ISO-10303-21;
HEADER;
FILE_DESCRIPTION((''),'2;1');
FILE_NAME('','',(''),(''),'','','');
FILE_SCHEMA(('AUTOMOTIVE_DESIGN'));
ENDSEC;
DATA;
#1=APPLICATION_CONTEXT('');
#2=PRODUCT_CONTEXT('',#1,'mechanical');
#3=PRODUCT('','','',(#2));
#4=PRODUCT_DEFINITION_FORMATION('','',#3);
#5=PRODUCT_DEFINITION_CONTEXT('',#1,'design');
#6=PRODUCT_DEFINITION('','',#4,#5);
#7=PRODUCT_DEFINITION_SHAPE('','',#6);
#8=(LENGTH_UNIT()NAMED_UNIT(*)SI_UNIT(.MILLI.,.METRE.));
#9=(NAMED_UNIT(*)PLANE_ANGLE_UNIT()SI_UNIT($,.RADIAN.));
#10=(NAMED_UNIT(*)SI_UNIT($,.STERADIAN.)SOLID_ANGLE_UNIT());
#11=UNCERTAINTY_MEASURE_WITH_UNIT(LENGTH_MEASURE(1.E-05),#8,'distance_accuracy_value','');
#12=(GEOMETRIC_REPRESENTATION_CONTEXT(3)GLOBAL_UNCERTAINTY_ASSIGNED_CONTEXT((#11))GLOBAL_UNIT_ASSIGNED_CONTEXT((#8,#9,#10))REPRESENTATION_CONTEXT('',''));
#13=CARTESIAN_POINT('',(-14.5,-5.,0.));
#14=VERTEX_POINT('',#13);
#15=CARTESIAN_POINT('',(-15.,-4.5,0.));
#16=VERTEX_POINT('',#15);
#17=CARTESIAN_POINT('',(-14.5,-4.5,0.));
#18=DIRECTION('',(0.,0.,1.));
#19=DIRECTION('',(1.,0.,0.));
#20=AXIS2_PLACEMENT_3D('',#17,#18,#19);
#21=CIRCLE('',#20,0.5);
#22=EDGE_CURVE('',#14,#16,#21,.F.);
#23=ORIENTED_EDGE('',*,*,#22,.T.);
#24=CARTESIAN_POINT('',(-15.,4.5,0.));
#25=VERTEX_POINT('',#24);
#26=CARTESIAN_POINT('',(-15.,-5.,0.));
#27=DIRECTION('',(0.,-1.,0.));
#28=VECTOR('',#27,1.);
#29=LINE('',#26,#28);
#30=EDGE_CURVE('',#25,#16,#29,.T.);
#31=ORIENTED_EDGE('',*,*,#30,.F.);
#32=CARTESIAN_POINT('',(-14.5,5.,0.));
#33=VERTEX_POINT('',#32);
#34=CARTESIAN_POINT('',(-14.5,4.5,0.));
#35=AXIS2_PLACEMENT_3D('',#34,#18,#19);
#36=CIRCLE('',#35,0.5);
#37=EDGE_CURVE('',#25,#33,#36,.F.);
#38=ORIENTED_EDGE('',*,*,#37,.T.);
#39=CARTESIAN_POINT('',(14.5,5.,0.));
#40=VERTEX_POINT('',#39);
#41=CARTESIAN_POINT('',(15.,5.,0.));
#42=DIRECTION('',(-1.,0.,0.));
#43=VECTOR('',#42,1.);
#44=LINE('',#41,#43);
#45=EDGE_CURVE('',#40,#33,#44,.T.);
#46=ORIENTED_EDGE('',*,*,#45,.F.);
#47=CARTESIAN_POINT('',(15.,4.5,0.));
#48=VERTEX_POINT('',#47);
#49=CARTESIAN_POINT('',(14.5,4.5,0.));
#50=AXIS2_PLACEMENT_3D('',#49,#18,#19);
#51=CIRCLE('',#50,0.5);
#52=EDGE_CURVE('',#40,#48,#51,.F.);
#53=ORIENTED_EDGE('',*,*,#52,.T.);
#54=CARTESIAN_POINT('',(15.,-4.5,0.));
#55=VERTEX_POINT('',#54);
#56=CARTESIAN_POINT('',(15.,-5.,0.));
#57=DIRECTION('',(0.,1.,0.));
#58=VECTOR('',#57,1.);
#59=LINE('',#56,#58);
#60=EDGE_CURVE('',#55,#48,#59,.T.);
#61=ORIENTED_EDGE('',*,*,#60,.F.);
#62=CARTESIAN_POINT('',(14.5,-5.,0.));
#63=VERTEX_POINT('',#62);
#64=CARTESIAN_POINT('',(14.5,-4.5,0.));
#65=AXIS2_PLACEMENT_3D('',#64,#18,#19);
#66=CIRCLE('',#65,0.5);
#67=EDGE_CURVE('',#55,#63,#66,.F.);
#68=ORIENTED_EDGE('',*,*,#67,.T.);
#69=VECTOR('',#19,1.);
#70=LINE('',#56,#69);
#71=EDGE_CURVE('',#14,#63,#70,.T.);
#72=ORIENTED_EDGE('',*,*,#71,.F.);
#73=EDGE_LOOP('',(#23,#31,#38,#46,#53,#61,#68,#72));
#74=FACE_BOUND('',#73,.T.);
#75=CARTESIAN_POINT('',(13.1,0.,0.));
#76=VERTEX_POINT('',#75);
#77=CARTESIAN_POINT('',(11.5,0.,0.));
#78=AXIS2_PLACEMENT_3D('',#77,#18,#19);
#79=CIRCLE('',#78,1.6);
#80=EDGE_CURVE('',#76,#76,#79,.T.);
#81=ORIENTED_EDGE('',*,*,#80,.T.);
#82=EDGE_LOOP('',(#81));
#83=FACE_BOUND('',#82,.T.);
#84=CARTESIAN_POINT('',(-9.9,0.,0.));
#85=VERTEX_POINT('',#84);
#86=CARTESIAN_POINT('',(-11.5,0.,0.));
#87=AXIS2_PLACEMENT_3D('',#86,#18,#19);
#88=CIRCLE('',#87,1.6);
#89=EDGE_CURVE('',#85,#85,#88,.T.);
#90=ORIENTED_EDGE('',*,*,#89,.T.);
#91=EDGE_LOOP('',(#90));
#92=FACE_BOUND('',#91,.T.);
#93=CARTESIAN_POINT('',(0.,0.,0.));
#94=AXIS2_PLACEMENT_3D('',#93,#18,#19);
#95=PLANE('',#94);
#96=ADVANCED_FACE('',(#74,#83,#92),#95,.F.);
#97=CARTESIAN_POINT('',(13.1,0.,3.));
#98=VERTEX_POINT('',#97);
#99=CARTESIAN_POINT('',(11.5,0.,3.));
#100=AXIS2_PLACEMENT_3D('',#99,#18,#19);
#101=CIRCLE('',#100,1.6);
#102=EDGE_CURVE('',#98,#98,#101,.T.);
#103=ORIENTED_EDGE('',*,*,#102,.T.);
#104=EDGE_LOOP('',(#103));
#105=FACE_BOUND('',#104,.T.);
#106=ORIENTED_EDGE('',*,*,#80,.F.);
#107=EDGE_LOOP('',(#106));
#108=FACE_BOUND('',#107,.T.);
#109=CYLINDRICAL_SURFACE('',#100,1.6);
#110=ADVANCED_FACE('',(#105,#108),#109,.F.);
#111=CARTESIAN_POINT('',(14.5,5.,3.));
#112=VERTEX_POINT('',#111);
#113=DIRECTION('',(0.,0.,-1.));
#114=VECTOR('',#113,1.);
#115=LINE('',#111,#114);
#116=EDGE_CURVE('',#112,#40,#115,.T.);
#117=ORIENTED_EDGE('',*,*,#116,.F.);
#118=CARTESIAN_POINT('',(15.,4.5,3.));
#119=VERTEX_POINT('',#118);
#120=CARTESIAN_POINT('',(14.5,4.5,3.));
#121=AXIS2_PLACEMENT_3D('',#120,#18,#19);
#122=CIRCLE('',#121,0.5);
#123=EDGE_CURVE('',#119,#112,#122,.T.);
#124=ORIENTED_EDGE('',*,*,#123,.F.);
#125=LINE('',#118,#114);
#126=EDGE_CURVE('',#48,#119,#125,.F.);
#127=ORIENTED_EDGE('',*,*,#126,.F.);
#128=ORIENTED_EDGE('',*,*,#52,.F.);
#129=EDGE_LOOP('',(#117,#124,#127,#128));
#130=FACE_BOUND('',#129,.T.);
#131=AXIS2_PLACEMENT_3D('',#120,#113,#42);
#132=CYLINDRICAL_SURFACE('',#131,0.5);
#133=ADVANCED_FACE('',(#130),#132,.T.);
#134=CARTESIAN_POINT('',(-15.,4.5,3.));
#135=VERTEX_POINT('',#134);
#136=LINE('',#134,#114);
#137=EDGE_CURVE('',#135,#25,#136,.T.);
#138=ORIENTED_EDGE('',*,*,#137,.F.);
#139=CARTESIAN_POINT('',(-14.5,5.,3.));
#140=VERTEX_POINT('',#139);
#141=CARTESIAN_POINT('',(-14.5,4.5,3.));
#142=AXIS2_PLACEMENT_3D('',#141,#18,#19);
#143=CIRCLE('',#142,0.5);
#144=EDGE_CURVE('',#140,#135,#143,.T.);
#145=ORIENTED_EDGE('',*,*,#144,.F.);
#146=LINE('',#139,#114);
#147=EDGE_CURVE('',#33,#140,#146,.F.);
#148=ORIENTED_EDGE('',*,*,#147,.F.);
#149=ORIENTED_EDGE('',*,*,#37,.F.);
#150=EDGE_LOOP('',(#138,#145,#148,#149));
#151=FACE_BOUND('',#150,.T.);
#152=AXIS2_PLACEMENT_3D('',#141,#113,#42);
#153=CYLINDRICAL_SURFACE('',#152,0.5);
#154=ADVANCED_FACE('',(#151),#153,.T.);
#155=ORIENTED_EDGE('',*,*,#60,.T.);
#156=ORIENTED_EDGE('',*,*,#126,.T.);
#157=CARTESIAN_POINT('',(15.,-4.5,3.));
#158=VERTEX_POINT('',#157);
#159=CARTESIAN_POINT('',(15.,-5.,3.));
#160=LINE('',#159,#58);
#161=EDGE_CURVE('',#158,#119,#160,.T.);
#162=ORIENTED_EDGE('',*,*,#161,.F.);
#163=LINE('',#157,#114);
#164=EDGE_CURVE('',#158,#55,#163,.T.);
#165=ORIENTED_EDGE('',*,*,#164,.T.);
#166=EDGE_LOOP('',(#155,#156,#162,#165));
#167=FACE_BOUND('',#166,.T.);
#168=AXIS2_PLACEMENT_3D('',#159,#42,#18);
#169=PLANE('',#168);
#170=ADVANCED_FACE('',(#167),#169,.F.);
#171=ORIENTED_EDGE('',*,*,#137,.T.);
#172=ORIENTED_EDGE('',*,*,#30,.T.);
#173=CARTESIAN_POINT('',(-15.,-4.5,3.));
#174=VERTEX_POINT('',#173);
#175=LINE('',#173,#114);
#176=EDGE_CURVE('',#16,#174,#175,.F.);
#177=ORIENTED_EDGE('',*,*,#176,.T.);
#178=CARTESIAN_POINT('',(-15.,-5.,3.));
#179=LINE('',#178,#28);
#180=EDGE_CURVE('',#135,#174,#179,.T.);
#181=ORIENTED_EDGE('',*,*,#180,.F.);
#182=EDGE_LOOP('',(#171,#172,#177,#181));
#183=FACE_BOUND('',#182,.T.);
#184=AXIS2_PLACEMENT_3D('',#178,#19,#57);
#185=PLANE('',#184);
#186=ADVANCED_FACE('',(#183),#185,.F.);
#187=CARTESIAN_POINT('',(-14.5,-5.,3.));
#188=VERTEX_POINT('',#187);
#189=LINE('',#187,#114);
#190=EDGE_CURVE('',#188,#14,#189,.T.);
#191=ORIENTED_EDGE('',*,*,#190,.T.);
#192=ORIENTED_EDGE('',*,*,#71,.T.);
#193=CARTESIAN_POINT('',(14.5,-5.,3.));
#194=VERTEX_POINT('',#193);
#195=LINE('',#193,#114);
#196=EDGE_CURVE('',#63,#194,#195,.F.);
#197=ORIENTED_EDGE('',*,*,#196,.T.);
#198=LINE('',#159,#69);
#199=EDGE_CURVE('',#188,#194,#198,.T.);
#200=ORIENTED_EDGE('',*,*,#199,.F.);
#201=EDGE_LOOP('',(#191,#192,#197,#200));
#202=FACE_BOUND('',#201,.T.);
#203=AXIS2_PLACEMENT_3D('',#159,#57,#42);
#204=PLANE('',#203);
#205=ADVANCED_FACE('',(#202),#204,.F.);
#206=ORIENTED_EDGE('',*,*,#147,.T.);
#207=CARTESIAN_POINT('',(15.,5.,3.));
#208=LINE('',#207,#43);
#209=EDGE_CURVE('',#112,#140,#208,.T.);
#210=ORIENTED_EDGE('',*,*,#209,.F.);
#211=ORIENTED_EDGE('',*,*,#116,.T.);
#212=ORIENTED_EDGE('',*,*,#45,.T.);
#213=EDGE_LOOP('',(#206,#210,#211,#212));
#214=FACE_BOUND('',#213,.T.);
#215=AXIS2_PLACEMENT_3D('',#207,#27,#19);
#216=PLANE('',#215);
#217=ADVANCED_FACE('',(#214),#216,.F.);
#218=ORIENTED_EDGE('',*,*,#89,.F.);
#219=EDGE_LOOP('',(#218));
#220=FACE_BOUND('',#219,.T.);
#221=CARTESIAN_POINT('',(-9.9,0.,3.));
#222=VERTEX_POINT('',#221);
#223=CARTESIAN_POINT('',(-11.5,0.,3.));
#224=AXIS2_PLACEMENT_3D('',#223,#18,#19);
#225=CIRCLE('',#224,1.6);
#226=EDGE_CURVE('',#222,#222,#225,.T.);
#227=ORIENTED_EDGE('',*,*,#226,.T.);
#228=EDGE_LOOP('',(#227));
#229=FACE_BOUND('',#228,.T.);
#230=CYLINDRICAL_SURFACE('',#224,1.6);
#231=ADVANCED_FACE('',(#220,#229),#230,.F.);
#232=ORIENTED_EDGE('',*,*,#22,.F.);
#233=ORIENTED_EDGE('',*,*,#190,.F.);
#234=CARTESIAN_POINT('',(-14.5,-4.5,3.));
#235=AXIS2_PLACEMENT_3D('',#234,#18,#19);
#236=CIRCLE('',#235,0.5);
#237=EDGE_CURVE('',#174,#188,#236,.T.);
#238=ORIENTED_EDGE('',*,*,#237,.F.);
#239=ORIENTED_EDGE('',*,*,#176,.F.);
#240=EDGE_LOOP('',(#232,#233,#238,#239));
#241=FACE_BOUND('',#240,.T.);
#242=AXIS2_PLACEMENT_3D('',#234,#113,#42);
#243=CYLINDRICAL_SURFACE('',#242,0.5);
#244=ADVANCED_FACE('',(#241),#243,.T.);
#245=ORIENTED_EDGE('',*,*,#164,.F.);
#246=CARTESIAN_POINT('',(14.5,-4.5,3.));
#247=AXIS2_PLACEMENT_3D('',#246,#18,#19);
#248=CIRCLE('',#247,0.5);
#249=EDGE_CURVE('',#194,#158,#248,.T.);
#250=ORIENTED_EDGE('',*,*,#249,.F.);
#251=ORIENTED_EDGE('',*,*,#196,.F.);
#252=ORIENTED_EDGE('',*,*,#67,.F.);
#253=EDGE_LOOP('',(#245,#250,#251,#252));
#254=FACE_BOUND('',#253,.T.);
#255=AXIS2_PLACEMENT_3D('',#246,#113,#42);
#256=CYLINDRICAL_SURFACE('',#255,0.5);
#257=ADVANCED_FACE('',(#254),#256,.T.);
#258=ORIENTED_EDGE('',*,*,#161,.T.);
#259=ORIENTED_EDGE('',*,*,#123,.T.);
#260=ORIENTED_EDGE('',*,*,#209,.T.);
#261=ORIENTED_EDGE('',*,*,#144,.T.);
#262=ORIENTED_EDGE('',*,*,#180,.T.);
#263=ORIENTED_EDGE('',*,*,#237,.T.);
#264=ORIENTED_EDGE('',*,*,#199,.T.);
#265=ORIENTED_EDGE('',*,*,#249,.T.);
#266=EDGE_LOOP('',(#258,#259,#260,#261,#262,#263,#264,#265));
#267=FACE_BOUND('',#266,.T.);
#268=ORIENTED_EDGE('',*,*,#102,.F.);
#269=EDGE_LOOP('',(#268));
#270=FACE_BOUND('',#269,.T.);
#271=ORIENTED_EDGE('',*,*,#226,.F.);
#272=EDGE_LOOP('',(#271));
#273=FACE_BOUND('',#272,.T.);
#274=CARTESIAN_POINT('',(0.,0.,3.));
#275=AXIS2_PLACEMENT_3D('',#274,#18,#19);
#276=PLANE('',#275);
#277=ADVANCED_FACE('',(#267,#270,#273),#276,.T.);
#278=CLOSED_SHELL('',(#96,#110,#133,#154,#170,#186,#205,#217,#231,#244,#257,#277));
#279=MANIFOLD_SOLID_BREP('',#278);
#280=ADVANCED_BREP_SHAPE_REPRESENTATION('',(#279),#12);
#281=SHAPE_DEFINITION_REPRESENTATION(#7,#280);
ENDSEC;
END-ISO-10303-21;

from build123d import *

# Parameters (mm, degrees)
SKETCH1_W            = 30
SKETCH1_H            = 10
BOSS_EXTRUDE1_DEPTH  = 3
M3_CLEARANCE_HOLE1_D = 3.2
FILLET1_R            = 0.5


with BuildPart() as part:
    # Sketch1 → Boss-Extrude1 (new body)
    with BuildSketch(Plane.XY):
        Rectangle(SKETCH1_W, SKETCH1_H)
    extrude(amount=BOSS_EXTRUDE1_DEPTH)

    # M3 Clearance Hole1 (through all)
    with Locations(Plane.XY.offset(3)):
        with Locations((-11.5, 0), (11.5, 0)):
            Hole(M3_CLEARANCE_HOLE1_D / 2)

    # Fillet1
    fillet1_edges = [part.edges().sort_by_distance(p)[0] for p in [
        (-15, 5, 1.5),
        (15, 5, 1.5),
        (15, -5, 1.5),
        (-15, -5, 1.5),
    ]]
    fillet(fillet1_edges, radius=FILLET1_R)


solid = part.part
